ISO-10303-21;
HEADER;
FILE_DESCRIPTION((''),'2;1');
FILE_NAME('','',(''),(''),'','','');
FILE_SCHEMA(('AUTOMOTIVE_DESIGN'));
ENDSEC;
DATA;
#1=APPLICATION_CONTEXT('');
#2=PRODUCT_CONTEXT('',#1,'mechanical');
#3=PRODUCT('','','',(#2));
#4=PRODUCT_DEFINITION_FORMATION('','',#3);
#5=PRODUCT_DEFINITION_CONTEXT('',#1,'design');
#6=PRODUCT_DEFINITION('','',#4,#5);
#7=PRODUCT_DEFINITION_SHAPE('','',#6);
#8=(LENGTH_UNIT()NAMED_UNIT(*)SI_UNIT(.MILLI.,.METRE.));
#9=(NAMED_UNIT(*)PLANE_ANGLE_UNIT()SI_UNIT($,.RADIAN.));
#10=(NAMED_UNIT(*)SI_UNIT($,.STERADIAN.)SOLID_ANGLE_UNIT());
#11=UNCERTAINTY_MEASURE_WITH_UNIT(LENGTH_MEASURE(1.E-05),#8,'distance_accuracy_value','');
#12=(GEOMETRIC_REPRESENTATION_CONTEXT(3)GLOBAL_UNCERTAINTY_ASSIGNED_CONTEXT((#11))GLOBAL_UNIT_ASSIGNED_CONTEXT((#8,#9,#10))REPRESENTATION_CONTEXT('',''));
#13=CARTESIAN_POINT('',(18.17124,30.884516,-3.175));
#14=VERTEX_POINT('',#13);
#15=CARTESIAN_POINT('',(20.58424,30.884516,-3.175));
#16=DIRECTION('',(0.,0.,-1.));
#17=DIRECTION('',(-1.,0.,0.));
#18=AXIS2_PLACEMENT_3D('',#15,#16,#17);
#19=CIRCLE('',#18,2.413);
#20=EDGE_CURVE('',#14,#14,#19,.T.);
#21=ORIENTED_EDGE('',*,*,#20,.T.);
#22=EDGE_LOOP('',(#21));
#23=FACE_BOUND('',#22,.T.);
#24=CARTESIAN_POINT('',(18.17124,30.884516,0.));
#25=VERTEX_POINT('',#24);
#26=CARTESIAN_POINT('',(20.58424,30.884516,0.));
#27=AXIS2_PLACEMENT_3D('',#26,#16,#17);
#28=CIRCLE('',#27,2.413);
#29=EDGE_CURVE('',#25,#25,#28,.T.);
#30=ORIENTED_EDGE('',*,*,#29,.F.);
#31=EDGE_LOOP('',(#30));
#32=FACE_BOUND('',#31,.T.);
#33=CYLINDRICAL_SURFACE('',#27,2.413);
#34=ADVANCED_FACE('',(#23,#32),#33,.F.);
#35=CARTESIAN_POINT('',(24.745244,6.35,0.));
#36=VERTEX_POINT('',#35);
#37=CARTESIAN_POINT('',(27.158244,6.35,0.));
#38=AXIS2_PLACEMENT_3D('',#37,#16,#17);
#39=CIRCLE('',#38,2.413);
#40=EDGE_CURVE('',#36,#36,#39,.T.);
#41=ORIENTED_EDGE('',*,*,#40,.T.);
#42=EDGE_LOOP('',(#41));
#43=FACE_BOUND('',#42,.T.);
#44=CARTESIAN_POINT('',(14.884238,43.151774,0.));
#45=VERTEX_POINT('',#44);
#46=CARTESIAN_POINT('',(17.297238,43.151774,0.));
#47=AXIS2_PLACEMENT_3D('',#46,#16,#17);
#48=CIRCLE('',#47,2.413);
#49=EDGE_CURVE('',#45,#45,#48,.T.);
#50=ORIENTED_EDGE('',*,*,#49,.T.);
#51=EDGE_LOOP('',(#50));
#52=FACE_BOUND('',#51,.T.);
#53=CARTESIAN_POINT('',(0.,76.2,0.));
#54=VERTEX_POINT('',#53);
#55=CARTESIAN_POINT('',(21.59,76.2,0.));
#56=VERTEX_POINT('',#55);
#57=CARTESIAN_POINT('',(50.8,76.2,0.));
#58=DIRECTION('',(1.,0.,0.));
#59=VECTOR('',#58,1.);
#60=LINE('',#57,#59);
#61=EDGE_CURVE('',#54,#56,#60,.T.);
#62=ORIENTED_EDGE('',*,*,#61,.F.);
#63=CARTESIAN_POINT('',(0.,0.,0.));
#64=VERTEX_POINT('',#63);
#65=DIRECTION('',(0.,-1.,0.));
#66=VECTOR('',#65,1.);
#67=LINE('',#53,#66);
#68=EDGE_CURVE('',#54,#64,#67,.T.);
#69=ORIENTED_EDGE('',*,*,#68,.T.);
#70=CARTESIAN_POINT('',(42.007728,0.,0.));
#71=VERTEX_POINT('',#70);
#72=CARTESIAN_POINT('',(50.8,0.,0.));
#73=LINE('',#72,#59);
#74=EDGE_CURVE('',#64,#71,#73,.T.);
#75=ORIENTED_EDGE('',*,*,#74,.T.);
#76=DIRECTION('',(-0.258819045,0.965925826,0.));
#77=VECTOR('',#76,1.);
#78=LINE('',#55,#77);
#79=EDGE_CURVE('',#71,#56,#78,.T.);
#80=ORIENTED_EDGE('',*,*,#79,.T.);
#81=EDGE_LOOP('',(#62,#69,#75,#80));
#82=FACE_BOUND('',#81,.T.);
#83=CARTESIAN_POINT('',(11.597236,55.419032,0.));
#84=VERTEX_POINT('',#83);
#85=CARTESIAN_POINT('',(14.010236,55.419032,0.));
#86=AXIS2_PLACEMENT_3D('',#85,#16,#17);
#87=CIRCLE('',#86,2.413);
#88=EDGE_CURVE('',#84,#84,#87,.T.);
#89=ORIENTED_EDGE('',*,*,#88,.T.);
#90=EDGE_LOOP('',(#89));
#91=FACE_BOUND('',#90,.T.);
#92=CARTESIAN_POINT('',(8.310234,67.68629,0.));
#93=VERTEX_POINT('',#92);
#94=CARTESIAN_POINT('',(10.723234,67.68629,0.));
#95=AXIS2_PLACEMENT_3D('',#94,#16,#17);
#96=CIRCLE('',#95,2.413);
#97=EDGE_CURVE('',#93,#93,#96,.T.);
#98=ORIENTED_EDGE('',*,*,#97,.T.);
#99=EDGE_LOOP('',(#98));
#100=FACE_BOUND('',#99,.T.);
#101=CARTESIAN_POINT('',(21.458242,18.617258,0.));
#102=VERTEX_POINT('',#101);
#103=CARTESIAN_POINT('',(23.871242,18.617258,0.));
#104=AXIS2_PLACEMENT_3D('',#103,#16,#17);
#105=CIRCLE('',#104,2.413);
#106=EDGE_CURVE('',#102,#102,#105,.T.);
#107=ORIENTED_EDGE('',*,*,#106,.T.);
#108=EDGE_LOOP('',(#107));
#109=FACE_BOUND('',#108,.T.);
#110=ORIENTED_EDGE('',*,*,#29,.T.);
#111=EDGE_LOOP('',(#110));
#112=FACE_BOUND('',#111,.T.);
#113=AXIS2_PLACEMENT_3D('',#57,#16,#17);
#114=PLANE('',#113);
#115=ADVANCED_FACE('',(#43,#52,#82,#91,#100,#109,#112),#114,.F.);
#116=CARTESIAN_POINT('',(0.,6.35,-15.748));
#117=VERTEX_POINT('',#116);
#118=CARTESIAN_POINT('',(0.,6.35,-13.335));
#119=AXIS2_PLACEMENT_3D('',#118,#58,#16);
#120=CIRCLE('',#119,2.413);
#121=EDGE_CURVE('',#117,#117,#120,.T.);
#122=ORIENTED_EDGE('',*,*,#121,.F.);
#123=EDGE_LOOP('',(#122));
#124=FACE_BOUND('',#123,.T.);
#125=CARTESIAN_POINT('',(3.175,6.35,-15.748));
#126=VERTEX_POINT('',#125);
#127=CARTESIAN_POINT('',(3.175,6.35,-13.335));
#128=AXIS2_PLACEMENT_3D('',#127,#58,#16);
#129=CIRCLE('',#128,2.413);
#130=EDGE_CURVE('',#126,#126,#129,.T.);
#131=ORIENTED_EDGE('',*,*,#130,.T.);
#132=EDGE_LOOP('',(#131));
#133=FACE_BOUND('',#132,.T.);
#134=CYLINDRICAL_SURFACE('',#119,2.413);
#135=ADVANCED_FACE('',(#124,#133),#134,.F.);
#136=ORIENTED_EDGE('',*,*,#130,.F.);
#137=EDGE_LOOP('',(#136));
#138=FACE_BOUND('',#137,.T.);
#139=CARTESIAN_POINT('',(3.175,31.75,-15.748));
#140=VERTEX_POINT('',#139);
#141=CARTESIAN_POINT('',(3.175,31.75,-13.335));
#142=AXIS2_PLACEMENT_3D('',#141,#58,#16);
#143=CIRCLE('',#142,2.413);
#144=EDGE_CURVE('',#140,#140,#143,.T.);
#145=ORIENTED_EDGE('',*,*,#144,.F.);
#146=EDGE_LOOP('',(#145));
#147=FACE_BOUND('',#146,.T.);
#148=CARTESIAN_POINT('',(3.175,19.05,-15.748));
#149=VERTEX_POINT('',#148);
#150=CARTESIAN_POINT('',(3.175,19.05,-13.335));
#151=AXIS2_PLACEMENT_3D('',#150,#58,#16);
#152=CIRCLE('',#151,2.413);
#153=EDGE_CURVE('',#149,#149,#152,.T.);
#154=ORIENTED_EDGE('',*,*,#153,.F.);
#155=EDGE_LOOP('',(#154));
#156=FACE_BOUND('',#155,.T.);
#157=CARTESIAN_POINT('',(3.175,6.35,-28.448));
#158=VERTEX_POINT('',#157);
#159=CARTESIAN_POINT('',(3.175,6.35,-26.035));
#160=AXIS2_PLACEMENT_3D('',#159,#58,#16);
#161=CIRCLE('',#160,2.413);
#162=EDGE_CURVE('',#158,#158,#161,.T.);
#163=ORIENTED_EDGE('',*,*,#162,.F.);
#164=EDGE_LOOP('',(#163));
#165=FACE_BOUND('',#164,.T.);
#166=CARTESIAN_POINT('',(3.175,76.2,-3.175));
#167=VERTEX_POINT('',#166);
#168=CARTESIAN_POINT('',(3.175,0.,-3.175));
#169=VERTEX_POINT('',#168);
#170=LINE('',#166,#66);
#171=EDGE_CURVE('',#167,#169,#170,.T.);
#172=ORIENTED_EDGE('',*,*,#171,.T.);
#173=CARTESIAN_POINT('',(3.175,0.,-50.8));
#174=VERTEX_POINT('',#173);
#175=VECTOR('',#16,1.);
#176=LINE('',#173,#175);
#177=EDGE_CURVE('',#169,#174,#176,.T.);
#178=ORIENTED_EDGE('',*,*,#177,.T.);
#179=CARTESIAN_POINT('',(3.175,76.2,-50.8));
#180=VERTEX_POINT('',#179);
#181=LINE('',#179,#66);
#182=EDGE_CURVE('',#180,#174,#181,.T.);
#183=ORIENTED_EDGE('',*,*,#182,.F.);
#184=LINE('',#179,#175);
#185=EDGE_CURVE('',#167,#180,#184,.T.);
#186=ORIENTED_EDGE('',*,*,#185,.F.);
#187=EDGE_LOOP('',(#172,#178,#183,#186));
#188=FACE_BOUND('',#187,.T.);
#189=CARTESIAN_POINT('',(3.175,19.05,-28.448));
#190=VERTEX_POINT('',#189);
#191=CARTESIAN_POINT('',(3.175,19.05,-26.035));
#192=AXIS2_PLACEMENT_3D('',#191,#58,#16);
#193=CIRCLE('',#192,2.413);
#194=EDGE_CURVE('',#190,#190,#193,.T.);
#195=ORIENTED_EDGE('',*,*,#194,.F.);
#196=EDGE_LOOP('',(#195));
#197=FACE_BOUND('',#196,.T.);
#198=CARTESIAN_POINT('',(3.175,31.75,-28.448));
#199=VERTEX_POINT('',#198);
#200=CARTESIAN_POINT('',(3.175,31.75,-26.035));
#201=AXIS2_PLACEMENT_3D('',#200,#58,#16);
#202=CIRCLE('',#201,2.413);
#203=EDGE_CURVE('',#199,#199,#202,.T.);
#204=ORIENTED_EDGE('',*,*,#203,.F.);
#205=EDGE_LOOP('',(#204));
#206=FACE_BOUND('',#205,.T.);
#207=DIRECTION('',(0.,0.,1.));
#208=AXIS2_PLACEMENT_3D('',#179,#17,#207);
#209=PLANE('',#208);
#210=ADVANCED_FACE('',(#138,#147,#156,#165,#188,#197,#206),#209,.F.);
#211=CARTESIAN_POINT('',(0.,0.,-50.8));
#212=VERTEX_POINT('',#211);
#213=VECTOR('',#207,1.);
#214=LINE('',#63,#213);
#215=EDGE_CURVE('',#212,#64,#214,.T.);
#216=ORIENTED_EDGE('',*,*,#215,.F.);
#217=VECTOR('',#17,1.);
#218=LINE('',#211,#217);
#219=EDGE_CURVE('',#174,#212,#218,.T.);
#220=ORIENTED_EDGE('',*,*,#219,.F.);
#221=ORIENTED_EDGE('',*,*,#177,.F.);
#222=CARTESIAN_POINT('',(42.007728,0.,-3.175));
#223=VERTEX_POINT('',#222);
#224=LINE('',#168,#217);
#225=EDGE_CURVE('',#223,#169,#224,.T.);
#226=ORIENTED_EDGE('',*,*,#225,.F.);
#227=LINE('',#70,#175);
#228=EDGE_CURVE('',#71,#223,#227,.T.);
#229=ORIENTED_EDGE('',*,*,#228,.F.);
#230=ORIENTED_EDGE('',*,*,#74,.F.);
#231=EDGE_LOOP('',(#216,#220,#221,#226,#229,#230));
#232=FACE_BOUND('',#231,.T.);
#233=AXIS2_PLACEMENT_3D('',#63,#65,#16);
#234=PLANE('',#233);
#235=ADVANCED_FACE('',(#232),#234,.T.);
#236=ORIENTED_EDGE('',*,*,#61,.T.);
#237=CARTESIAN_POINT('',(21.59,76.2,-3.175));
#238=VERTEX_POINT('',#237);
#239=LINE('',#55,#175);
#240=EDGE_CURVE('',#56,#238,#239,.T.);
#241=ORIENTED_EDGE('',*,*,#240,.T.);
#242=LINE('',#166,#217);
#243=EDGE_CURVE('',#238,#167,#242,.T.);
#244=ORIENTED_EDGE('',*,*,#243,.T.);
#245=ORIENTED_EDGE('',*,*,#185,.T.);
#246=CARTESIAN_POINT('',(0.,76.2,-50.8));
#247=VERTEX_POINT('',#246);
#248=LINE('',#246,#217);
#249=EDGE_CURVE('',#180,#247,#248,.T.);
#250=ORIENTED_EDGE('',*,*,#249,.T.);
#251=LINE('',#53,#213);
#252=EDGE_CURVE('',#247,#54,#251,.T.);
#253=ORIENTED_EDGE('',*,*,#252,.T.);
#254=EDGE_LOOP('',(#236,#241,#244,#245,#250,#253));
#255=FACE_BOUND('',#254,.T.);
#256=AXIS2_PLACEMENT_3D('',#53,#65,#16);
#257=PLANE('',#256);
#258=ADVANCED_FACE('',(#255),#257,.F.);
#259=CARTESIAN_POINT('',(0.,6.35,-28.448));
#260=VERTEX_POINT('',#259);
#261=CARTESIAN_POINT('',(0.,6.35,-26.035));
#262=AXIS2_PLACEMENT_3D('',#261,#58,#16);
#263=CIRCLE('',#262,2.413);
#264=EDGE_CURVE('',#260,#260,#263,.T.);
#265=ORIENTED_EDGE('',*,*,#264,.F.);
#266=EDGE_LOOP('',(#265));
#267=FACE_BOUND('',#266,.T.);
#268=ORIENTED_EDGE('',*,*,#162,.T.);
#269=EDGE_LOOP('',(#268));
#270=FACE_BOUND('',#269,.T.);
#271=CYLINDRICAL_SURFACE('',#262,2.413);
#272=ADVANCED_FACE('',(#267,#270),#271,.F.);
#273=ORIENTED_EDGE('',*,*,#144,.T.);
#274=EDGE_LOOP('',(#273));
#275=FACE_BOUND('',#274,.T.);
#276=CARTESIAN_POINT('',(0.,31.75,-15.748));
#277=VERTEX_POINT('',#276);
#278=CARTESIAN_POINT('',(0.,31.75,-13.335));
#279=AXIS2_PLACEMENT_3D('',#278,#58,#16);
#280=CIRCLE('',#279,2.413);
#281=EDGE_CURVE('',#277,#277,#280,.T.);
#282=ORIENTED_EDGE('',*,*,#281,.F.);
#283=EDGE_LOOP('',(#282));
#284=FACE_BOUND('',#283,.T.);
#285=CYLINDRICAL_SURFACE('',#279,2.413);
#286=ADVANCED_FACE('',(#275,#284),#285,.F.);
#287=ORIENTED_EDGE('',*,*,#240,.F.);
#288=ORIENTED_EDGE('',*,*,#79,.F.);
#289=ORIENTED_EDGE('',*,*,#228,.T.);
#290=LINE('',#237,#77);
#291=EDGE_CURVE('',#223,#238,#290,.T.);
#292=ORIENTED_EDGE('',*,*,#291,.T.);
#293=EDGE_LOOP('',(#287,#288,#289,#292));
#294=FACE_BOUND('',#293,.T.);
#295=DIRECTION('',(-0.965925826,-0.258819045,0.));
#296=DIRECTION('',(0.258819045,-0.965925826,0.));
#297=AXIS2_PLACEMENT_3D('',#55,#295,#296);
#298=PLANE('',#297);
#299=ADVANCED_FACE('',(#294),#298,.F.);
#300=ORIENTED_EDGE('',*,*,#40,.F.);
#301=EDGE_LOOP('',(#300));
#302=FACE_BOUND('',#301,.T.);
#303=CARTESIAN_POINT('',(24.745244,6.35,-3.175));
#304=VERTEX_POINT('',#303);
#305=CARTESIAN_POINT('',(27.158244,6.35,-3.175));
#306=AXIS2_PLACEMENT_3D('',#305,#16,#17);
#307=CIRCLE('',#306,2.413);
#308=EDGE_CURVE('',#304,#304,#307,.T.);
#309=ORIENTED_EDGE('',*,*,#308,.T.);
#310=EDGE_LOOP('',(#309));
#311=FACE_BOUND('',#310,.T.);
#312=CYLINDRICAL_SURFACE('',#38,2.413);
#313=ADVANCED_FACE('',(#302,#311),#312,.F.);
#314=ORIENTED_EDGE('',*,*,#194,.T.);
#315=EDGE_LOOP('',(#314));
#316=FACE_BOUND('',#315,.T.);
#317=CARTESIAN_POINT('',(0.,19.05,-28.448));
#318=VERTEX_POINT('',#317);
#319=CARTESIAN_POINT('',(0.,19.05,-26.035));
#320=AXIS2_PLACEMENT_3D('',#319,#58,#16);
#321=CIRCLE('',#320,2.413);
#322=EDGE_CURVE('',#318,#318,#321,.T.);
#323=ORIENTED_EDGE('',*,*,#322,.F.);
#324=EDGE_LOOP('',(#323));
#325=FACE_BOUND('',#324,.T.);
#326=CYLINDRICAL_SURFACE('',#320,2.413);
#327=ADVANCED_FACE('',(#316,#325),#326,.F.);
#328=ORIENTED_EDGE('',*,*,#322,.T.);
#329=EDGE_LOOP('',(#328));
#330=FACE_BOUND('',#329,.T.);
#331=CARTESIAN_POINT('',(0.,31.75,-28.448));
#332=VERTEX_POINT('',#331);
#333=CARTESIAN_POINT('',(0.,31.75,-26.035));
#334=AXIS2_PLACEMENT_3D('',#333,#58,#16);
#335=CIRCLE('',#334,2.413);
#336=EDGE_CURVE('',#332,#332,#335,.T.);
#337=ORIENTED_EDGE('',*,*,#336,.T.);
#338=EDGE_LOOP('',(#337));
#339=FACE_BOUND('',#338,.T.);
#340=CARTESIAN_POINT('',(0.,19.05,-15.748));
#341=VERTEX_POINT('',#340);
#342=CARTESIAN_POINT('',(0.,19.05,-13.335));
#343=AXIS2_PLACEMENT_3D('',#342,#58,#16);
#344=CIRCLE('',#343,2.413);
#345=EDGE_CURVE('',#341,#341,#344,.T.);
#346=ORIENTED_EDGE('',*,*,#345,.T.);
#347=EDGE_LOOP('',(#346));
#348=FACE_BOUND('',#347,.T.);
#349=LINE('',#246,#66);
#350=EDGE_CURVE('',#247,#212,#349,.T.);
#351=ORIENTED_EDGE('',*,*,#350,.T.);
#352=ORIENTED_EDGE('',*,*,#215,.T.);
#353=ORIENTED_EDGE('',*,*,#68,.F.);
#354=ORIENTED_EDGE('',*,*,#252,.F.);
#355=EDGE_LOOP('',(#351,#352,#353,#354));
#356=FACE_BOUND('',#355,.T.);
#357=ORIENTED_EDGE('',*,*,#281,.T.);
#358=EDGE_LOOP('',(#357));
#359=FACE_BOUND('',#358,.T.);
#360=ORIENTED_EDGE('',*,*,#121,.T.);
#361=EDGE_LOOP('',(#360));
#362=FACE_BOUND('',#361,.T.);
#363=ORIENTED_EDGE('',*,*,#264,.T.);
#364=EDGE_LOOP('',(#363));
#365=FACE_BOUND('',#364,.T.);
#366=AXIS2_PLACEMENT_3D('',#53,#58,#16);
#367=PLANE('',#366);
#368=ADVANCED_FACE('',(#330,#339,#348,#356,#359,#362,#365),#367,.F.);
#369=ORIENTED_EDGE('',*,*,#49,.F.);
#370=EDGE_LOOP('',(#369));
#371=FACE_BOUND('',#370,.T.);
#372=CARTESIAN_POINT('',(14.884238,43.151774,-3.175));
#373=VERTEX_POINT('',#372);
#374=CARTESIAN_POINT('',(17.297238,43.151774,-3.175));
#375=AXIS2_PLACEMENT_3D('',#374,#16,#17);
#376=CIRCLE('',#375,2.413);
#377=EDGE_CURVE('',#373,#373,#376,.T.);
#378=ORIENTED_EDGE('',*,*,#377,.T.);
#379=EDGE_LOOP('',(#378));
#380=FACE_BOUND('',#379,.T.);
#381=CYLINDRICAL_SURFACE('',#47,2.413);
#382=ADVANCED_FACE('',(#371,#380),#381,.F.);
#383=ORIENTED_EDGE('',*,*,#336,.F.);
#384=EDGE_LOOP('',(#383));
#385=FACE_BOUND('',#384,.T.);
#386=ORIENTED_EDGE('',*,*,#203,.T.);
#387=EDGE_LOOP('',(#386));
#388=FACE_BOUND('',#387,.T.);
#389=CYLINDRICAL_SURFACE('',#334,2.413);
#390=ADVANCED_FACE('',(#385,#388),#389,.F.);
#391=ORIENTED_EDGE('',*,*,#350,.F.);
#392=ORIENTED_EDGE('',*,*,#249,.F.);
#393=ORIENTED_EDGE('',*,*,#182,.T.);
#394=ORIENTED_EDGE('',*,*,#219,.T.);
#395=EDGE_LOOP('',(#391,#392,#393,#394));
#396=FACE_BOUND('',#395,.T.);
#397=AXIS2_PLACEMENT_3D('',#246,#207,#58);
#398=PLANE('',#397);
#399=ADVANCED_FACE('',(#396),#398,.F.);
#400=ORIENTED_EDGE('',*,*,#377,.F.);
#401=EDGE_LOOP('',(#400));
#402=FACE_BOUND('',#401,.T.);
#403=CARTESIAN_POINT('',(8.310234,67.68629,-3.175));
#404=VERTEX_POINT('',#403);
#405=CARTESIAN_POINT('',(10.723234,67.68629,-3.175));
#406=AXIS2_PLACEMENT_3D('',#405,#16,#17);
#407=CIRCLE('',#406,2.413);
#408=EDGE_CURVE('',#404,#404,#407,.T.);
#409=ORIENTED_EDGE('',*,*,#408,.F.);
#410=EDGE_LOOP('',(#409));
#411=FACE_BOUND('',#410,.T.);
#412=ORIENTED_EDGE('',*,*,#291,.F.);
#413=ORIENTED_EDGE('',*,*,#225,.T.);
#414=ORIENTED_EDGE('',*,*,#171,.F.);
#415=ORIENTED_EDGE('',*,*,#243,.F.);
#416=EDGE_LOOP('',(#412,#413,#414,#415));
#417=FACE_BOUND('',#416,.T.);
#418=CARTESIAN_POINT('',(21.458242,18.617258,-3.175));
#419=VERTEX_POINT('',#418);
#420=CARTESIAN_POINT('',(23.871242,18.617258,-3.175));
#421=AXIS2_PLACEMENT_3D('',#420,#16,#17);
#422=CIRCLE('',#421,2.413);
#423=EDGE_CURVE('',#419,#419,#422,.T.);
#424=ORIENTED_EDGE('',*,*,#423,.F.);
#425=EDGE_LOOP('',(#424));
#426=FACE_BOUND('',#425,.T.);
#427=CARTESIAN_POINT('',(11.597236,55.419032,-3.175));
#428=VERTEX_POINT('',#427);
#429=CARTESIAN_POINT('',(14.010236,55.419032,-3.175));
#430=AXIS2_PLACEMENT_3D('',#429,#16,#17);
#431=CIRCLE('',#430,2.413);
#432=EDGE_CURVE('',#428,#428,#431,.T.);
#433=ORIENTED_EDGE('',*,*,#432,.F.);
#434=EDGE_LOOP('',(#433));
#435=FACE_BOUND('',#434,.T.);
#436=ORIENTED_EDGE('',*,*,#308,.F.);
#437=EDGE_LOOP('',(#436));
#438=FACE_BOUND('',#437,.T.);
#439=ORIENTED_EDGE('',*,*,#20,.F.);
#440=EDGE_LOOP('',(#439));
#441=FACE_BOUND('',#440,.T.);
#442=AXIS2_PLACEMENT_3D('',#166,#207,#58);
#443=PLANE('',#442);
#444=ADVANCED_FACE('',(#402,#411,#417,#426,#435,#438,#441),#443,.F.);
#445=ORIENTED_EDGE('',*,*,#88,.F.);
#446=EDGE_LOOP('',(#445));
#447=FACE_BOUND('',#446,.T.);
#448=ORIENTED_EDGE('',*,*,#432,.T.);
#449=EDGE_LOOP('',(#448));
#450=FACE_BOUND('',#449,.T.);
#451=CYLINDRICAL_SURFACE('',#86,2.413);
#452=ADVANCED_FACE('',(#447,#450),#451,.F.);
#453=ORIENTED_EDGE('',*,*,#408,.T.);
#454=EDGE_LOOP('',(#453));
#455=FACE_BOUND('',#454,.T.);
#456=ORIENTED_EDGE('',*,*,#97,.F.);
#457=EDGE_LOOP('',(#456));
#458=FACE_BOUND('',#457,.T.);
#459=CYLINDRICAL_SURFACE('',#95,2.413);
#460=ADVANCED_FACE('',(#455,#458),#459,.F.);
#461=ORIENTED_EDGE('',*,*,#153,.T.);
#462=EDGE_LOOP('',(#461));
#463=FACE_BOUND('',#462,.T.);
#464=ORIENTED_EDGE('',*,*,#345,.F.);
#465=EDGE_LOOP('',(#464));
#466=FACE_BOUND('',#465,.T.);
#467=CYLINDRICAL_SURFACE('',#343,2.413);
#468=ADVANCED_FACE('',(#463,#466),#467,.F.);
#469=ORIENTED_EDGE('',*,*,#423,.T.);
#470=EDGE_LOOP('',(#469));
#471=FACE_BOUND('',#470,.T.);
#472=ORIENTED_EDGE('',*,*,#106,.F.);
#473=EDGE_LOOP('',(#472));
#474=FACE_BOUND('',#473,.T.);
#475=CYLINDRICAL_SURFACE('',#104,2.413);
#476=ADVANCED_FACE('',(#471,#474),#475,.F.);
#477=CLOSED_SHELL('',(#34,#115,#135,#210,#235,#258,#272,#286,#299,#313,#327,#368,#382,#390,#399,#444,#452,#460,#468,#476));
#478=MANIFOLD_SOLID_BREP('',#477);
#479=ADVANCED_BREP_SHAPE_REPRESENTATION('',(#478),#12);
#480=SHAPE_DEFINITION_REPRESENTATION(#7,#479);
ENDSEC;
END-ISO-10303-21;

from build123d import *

# Parameters (mm, degrees)
BOSS_EXTRUDE1_DEPTH = 76.2
SKETCH2_R           = 2.413
CUT_EXTRUDE1_DEPTH  = 104.224128115
SKETCH3_R           = 2.413
CUT_EXTRUDE2_DEPTH  = 100.4739202


with BuildPart() as part:
    # Sketch1 → Boss-Extrude1 (new body)
    with BuildSketch(Plane(origin=(0, 0, 0), x_dir=(1, 0, 0), z_dir=(0, 1, 0))):
        Polygon((0, 0), (0, 50.8), (3.175, 50.8), (3.175, 3.175), (50.8, 3.175), (50.8, 0), align=None)
    extrude(amount=BOSS_EXTRUDE1_DEPTH)

    # Sketch2 → Cut-Extrude1 (cut, through all)
    with BuildSketch(Plane(origin=(0, 0, -3.175), x_dir=(-1, 0, 0), z_dir=(0, 0, -1))):
        with Locations((-27.1582436, 6.35)):
            Circle(SKETCH2_R)
        with Locations((-23.871241727, 18.617257994)):
            Circle(SKETCH2_R)
        with Locations((-20.584239855, 30.884515988)):
            Circle(SKETCH2_R)
        with Locations((-17.297237982, 43.151773982)):
            Circle(SKETCH2_R)
        with Locations((-14.010236109, 55.419031975)):
            Circle(SKETCH2_R)
        with Locations((-10.723234236, 67.686289969)):
            Circle(SKETCH2_R)
        Polygon((-21.59, 76.2), (-50.8, -32.813204089), (-50.8, 76.2), align=None)
    extrude(amount=-CUT_EXTRUDE1_DEPTH, mode=Mode.SUBTRACT)

    # Sketch3 → Cut-Extrude2 (cut, through all)
    with BuildSketch(Plane(origin=(3.175, 0, 0), x_dir=(0, 0, -1), z_dir=(1, 0, 0))):
        with Locations((13.335, 6.35)):
            Circle(SKETCH3_R)
        with Locations((26.035, 6.35)):
            Circle(SKETCH3_R)
        with Locations((13.335, 19.05)):
            Circle(SKETCH3_R)
        with Locations((26.035, 19.05)):
            Circle(SKETCH3_R)
        with Locations((13.335, 31.75)):
            Circle(SKETCH3_R)
        with Locations((26.035, 31.75)):
            Circle(SKETCH3_R)
    extrude(amount=-CUT_EXTRUDE2_DEPTH, mode=Mode.SUBTRACT)


solid = part.part
